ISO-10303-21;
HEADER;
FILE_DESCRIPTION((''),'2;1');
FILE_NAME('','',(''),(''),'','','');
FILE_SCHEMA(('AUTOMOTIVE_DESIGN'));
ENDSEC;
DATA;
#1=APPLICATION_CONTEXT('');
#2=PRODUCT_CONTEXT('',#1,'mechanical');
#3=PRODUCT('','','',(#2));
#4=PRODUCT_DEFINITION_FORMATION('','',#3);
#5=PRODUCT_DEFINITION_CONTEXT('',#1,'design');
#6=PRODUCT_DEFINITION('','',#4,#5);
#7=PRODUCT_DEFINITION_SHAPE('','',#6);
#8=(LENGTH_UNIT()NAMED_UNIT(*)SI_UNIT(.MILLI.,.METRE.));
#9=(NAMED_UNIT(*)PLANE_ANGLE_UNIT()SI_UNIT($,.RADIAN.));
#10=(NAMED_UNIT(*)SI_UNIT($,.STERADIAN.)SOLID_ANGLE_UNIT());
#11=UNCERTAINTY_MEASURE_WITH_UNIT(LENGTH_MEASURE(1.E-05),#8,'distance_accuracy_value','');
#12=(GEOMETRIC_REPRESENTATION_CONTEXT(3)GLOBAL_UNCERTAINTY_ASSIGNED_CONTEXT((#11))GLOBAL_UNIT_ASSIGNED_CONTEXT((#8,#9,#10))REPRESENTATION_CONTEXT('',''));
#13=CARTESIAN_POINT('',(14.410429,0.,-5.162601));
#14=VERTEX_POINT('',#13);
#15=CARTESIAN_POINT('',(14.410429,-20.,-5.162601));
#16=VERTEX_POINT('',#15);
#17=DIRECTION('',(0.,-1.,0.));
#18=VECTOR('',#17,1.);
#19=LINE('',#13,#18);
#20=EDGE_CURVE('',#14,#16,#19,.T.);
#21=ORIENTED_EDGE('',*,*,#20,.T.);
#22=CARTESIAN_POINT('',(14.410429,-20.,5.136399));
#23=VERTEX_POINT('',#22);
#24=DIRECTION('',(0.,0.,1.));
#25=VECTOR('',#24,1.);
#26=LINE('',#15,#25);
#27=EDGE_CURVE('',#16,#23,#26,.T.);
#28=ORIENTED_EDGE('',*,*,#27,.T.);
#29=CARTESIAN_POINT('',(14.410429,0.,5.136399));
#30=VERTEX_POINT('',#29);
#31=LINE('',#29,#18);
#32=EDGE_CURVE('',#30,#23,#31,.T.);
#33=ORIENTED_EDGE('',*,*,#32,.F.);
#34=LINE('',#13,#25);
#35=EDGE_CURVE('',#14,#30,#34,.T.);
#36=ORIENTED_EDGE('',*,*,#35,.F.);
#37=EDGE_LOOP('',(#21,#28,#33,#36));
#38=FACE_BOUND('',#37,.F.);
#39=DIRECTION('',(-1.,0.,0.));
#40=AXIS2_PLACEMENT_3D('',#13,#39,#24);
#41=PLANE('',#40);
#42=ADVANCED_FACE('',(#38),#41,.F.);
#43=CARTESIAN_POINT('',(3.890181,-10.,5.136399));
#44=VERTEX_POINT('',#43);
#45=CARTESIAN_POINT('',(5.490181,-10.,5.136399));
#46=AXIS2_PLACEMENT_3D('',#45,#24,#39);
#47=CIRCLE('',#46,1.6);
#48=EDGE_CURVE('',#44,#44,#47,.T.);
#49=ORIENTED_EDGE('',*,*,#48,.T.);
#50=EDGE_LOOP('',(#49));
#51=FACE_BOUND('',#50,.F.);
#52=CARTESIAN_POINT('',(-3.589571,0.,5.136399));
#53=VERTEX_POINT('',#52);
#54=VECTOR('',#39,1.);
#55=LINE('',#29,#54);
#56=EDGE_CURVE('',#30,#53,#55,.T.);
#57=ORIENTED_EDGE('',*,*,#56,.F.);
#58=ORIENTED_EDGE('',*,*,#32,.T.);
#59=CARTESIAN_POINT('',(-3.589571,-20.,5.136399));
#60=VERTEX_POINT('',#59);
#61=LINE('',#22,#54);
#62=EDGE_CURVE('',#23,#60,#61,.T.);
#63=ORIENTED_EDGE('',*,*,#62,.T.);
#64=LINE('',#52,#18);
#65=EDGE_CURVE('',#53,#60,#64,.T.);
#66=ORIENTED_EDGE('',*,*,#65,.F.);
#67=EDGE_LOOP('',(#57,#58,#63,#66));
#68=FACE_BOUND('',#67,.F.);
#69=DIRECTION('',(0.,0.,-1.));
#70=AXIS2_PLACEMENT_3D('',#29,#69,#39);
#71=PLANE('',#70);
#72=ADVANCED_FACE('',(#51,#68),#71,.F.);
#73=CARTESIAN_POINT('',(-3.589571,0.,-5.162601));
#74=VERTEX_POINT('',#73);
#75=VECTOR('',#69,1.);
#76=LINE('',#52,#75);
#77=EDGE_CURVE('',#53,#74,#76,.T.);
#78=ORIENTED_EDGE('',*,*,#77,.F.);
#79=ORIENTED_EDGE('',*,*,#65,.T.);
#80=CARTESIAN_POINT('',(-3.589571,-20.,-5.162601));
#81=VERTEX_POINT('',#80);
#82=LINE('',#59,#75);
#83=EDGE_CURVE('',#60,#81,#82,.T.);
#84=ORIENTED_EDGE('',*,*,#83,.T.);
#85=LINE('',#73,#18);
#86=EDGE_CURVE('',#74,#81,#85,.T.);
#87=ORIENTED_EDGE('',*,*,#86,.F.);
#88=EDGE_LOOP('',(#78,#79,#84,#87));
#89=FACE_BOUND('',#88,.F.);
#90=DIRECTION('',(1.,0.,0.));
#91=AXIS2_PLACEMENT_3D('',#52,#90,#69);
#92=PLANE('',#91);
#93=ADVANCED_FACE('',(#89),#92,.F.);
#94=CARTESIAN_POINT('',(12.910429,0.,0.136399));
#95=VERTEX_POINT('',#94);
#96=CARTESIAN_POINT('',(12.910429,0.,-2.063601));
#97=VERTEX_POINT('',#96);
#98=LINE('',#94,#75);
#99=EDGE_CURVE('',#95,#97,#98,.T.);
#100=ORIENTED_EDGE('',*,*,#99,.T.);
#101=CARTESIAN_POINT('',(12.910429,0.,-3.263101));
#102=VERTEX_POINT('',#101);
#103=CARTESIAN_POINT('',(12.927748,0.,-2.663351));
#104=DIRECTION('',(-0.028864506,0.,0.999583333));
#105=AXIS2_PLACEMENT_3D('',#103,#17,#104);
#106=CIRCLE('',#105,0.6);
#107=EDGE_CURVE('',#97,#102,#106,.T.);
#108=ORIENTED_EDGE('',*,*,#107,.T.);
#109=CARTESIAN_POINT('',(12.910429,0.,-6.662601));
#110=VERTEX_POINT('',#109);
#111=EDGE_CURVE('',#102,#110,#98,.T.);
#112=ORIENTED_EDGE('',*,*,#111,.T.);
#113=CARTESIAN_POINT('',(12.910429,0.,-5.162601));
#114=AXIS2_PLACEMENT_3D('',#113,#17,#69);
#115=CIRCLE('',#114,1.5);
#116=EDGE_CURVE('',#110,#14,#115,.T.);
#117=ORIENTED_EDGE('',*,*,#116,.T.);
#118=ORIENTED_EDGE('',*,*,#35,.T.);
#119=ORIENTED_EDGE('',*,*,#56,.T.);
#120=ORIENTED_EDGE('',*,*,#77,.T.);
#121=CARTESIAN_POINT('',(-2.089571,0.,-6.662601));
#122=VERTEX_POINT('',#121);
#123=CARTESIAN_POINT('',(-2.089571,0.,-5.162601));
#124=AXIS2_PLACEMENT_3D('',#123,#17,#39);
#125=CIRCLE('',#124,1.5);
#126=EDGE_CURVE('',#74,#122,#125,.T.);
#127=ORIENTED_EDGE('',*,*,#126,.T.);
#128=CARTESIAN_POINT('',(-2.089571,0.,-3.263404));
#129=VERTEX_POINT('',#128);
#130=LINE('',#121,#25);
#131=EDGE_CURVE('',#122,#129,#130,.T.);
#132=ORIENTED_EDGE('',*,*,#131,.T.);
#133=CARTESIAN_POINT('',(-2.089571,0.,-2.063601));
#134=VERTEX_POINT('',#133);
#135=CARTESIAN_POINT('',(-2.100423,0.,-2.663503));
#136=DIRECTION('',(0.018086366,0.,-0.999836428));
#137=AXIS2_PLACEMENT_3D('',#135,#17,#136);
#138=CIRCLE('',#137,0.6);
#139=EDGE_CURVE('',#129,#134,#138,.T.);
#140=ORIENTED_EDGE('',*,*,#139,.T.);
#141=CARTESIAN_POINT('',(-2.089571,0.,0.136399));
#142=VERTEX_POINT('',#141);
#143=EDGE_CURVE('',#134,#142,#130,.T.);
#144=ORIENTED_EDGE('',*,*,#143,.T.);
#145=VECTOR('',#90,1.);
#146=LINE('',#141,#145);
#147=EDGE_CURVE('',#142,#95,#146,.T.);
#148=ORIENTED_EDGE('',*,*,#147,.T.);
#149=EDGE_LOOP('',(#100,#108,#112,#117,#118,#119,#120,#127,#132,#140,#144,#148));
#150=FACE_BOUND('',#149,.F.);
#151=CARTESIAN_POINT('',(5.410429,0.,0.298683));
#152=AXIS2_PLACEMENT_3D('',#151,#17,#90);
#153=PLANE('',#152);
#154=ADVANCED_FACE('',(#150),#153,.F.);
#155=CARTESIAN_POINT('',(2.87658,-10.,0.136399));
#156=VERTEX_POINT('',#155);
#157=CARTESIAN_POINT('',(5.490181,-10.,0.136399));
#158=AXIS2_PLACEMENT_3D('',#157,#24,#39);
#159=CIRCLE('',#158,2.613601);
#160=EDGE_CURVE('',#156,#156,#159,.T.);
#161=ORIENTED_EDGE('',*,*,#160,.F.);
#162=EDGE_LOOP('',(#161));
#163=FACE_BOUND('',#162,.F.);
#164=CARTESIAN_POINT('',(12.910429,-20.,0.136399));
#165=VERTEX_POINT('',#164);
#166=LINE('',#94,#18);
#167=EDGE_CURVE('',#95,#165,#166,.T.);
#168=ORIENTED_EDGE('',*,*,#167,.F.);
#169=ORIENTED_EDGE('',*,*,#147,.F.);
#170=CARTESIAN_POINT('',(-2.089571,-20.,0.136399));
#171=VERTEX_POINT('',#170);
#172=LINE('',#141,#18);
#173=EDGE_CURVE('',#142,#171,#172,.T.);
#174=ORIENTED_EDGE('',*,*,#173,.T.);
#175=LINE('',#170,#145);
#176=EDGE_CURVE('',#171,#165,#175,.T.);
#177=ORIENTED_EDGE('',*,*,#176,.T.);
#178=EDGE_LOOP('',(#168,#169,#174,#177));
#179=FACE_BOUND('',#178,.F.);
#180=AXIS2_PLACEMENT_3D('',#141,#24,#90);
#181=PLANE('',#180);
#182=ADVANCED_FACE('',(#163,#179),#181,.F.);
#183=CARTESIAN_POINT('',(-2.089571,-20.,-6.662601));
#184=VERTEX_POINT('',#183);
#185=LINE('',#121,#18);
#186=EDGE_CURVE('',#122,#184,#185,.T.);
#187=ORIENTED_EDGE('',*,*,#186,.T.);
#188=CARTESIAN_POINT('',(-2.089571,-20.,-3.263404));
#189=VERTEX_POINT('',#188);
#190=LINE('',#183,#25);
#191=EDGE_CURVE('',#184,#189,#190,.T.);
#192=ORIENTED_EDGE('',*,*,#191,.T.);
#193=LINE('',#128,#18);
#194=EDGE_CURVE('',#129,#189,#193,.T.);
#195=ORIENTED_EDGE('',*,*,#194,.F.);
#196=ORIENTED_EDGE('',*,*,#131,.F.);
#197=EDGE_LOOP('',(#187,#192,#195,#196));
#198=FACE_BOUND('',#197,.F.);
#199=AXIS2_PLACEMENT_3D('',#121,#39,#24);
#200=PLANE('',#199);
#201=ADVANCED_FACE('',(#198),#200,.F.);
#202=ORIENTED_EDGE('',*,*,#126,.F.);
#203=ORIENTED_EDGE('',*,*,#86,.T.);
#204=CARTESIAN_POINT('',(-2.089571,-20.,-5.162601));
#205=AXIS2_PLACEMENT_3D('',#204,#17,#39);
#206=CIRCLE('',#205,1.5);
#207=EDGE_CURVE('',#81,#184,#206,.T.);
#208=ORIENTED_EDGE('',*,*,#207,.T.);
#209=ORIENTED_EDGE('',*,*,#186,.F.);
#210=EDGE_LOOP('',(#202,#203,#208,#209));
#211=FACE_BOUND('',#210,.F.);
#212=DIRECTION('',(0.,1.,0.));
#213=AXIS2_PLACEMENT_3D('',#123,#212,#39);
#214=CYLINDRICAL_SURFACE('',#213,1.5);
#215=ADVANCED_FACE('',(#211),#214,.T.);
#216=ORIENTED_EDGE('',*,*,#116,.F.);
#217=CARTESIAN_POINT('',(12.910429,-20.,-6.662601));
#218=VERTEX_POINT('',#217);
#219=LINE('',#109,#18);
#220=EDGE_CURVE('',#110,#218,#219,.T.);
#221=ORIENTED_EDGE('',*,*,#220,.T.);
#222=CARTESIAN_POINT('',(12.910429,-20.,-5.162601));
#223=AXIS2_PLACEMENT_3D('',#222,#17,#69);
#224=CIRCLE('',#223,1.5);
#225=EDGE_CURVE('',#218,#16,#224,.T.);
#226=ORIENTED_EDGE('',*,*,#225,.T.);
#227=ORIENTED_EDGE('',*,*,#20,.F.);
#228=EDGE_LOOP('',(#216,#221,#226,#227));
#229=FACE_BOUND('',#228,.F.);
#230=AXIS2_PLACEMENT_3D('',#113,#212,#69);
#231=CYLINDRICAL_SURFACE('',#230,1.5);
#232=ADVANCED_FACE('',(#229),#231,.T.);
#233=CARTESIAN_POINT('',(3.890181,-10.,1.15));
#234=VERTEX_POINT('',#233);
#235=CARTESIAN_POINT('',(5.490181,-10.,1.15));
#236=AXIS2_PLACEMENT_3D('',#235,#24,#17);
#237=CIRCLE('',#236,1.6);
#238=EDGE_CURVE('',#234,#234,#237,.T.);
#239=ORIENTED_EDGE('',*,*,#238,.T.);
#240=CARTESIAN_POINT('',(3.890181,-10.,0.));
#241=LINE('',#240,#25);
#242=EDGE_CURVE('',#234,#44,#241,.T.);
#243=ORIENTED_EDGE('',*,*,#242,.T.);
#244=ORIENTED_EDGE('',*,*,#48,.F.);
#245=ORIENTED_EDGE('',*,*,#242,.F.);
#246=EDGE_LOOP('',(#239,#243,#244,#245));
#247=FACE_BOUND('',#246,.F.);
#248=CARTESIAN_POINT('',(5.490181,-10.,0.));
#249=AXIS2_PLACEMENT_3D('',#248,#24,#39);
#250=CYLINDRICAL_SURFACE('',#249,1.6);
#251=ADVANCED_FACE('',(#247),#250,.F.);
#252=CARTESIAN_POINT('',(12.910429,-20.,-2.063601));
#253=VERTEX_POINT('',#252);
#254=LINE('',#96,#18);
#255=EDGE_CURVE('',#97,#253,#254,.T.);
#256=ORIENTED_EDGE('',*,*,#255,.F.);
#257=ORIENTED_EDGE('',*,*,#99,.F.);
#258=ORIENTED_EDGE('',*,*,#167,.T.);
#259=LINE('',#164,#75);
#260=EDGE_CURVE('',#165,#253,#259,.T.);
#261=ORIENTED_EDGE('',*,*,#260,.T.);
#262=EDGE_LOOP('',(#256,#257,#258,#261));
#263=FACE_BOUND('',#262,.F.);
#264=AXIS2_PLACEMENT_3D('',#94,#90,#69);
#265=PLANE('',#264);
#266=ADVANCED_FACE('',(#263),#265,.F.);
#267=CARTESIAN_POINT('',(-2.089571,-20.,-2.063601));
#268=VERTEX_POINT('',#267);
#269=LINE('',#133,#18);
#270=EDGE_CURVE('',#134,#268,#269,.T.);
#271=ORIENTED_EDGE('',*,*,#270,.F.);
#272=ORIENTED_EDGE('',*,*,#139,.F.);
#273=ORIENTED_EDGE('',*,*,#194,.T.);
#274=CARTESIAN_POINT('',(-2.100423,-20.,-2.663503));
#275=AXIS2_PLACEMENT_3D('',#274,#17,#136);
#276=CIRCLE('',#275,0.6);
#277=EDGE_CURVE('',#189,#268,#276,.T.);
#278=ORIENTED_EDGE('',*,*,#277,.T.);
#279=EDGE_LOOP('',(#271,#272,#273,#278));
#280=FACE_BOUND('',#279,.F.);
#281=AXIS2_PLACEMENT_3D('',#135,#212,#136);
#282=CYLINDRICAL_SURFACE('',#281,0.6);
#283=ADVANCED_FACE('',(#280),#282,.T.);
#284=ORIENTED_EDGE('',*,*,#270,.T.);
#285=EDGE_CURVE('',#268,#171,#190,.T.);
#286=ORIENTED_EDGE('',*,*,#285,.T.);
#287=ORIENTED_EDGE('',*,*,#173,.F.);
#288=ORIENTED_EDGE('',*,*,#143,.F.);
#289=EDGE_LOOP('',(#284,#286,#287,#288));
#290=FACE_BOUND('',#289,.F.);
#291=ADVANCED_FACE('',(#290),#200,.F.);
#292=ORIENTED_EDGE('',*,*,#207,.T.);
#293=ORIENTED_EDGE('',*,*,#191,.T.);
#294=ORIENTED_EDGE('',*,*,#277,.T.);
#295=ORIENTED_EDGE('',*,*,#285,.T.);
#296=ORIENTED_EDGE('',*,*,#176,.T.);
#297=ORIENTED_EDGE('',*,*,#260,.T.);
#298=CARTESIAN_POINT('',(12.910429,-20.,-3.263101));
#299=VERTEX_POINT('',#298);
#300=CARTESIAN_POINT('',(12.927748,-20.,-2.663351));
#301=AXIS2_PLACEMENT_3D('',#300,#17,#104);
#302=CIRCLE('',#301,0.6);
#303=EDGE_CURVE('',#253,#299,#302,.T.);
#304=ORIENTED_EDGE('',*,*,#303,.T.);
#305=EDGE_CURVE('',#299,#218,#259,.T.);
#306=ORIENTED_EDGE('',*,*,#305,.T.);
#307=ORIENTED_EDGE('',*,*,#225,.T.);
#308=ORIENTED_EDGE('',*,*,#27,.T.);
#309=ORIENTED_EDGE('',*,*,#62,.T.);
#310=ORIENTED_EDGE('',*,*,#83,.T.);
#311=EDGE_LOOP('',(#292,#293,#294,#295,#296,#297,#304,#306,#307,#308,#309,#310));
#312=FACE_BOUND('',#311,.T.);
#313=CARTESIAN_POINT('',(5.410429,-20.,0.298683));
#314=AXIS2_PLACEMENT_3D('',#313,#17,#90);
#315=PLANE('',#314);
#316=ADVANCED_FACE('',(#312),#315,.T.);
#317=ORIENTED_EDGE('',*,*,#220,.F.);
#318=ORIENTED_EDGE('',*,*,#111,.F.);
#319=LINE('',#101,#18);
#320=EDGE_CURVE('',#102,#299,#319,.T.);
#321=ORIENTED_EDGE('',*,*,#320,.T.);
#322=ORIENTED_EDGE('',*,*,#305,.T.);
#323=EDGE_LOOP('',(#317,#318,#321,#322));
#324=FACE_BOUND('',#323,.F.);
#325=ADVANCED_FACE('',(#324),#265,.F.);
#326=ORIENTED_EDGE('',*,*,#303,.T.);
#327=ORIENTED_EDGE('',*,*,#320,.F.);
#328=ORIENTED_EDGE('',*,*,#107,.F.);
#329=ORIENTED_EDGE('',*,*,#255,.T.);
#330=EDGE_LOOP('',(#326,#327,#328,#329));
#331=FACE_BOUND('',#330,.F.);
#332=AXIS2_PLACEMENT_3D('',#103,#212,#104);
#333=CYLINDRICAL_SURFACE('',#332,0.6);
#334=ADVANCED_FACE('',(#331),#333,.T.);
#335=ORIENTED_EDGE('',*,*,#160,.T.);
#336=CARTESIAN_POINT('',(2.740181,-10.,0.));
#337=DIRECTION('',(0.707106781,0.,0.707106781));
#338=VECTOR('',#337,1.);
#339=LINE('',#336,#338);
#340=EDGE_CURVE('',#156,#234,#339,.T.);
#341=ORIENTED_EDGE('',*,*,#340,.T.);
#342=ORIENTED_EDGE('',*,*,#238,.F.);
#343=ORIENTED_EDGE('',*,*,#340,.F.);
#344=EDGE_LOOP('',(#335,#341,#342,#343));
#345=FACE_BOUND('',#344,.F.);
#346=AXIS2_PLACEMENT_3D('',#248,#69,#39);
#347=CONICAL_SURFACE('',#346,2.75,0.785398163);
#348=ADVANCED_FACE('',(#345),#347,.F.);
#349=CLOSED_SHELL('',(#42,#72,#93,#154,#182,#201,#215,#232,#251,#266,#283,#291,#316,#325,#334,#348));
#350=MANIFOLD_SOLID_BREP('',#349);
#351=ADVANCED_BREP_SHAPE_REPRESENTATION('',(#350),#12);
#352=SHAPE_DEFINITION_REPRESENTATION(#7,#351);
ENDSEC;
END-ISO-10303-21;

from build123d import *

# Parameters (mm, degrees)
F1_DEPTH       = 20
F3_D           = 3.2
F3_CSINK_D     = 5.5
F3_CSINK_ANGLE = 90
F4_DEPTH       = 20


with BuildPart() as f1:
    # F0 (on Front) → F1 (new body)
    with BuildSketch(Plane.XZ):
        with BuildLine():
            Line((14.4104288965, 5.1363992399), (-3.5895711035, 5.1363992399))
            Line((-3.5895711035, 5.1363992399), (-3.5895711035, 0.1363992399))
            Line((-3.5895711035, 0.1363992399), (-3.5895711035, -5.1626007601))
            ThreePointArc((-3.5895711035, -5.1626007601), (-3.1502312752, -6.2232609319), (-2.0895711035, -6.6626007601))
            Line((-2.0895711035, -6.6626007601), (-2.0895711035, -3.2634044741))
            Line((-2.0895711035, -3.2634044741), (-2.0895711035, -2.0636007601))
            Line((-2.0895711035, -2.0636007601), (-2.0895711035, 0.1363992399))
            Line((-2.0895711035, 0.1363992399), (5.4104288965, 0.1363992399))
            Line((5.4104288965, 0.1363992399), (12.9104288965, 0.1363992399))
            Line((12.9104288965, 0.1363992399), (12.9104288965, -2.0636007601))
            Line((12.9104288965, -2.0636007601), (12.9104288965, -3.2631007601))
            Line((12.9104288965, -3.2631007601), (12.9104288965, -6.6626007601))
            ThreePointArc((12.9104288965, -6.6626007601), (13.9710890683, -6.2232609319), (14.4104288965, -5.1626007601))
            Line((14.4104288965, -5.1626007601), (14.4104288965, -0.620780386))
            Line((14.4104288965, -0.620780386), (14.4104288965, 0.1363992399))
            Line((14.4104288965, 0.1363992399), (14.4104288965, 5.1363992399))
        make_face()
    extrude(amount=F1_DEPTH)

    # F3 (through all)
    with Locations(Plane(origin=(0, 0, 0), x_dir=(1, 0, 0), z_dir=(0, 0, -1))):
        with Locations((5.4901805706, 10)):
            CounterSinkHole(F3_D / 2, F3_CSINK_D / 2, counter_sink_angle=F3_CSINK_ANGLE)

    # F0 (on Front) → F4 (join)
    with BuildSketch(Plane.XZ):
        with BuildLine():
            Line((-2.0895711035, -2.0636007601), (-2.0895711035, -3.2634044741))
            ThreePointArc((-2.0895711035, -3.2634044741), (-1.5004229232, -2.6635026171), (-2.0895711035, -2.0636007601))
        make_face()
        with BuildLine():
            ThreePointArc((12.9104288965, -2.0636007601), (12.3277476003, -2.6633507601), (12.9104288965, -3.2631007601))
            Line((12.9104288965, -3.2631007601), (12.9104288965, -2.0636007601))
        make_face()
    extrude(amount=F4_DEPTH)


solid = f1.part
